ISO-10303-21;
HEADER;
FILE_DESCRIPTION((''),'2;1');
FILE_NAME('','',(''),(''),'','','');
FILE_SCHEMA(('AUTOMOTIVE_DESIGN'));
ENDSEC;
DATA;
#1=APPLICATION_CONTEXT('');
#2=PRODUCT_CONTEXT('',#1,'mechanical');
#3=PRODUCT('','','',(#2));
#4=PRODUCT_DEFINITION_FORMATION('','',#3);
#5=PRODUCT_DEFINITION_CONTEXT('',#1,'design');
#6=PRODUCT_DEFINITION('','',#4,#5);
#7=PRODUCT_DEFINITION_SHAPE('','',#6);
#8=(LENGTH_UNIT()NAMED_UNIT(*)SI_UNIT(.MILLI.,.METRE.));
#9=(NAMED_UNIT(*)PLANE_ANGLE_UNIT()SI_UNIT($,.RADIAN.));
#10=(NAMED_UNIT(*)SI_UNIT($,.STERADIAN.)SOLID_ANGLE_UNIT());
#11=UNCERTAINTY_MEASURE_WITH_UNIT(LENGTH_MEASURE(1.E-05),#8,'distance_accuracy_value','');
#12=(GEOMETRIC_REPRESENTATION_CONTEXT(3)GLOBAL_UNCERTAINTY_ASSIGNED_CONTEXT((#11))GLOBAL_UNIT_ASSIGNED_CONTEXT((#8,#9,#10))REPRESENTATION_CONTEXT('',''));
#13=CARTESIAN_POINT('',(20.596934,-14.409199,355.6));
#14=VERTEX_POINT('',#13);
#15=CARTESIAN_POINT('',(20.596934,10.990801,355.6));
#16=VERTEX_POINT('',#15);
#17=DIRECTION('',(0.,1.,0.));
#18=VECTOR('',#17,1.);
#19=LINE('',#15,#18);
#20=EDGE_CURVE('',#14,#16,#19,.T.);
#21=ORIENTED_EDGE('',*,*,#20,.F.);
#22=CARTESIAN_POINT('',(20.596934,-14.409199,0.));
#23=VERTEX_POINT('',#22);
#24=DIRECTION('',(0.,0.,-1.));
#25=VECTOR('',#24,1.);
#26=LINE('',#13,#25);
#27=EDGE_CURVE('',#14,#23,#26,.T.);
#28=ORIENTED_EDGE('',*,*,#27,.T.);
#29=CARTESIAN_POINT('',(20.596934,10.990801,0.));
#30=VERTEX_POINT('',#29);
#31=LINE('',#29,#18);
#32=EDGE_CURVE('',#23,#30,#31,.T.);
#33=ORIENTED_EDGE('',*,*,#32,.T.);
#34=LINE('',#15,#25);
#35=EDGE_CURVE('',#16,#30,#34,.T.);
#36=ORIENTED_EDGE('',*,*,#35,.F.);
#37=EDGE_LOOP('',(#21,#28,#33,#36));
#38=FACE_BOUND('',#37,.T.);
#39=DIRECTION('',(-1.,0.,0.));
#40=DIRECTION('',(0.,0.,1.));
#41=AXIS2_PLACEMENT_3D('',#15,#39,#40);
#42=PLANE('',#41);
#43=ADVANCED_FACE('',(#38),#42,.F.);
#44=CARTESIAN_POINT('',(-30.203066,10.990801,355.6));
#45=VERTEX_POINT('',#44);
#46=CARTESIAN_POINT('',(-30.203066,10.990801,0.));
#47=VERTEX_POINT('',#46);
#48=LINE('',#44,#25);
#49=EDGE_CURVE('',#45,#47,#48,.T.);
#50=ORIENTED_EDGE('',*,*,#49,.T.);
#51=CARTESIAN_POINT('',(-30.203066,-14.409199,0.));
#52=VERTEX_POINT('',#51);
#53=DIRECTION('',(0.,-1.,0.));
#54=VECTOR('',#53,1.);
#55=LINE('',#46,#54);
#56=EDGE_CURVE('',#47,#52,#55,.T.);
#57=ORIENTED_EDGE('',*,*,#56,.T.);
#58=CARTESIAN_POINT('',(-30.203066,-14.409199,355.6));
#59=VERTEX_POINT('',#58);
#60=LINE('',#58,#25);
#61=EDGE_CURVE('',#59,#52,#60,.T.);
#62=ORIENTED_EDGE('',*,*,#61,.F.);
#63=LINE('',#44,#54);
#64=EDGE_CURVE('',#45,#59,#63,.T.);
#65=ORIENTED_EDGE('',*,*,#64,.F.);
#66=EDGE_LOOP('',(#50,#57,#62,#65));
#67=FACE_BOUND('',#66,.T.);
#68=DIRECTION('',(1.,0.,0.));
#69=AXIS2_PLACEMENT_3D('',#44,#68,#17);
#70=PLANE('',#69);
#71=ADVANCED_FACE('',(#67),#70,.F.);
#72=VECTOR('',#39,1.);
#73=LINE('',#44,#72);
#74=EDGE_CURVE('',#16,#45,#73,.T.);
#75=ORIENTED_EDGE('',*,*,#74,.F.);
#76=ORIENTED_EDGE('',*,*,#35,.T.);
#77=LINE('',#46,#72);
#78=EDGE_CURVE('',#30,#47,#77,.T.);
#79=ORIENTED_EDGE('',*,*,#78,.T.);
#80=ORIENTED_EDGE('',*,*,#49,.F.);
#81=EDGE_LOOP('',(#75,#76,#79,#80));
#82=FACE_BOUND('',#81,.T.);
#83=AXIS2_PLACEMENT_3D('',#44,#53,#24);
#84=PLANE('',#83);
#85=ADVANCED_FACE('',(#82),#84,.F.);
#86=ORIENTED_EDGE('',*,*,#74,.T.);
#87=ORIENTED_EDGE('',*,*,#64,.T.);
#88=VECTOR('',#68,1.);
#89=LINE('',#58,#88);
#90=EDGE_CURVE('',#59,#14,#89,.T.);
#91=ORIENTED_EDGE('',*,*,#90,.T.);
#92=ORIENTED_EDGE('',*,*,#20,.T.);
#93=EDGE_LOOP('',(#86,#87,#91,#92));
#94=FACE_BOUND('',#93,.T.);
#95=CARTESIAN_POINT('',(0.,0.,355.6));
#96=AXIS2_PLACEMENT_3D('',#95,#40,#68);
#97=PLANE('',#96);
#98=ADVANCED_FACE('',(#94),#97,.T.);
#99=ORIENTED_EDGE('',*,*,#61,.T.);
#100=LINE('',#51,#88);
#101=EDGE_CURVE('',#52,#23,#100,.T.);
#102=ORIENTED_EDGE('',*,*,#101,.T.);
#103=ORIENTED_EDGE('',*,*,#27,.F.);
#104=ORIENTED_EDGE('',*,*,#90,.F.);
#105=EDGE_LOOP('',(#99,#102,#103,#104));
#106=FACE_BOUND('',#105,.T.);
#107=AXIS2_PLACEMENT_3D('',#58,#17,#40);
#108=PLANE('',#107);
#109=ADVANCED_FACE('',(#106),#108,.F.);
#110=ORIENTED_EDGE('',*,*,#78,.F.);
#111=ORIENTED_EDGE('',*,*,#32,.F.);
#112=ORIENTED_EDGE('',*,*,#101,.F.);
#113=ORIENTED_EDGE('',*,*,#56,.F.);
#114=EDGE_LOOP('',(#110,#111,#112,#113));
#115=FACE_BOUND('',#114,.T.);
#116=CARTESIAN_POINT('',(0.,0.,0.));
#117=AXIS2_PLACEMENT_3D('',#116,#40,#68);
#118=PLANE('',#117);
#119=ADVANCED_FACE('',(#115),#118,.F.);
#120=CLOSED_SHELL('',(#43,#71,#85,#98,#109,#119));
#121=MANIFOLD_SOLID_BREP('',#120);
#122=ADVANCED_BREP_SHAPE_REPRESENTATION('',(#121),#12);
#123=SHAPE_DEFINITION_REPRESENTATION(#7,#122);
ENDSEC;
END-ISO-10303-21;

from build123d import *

# Parameters (mm, degrees)
SKETCH_1_W      = 50.8
SKETCH_1_H      = 25.4
EXTRUDE_1_DEPTH = 355.6


with BuildPart() as part:
    # 草图1 → 凸台-拉伸1 (new body)
    with BuildSketch(Plane.XY):
        with Locations((-4.80306644, -1.709199319)):
            Rectangle(SKETCH_1_W, SKETCH_1_H)
    extrude(amount=EXTRUDE_1_DEPTH)


solid = part.part
